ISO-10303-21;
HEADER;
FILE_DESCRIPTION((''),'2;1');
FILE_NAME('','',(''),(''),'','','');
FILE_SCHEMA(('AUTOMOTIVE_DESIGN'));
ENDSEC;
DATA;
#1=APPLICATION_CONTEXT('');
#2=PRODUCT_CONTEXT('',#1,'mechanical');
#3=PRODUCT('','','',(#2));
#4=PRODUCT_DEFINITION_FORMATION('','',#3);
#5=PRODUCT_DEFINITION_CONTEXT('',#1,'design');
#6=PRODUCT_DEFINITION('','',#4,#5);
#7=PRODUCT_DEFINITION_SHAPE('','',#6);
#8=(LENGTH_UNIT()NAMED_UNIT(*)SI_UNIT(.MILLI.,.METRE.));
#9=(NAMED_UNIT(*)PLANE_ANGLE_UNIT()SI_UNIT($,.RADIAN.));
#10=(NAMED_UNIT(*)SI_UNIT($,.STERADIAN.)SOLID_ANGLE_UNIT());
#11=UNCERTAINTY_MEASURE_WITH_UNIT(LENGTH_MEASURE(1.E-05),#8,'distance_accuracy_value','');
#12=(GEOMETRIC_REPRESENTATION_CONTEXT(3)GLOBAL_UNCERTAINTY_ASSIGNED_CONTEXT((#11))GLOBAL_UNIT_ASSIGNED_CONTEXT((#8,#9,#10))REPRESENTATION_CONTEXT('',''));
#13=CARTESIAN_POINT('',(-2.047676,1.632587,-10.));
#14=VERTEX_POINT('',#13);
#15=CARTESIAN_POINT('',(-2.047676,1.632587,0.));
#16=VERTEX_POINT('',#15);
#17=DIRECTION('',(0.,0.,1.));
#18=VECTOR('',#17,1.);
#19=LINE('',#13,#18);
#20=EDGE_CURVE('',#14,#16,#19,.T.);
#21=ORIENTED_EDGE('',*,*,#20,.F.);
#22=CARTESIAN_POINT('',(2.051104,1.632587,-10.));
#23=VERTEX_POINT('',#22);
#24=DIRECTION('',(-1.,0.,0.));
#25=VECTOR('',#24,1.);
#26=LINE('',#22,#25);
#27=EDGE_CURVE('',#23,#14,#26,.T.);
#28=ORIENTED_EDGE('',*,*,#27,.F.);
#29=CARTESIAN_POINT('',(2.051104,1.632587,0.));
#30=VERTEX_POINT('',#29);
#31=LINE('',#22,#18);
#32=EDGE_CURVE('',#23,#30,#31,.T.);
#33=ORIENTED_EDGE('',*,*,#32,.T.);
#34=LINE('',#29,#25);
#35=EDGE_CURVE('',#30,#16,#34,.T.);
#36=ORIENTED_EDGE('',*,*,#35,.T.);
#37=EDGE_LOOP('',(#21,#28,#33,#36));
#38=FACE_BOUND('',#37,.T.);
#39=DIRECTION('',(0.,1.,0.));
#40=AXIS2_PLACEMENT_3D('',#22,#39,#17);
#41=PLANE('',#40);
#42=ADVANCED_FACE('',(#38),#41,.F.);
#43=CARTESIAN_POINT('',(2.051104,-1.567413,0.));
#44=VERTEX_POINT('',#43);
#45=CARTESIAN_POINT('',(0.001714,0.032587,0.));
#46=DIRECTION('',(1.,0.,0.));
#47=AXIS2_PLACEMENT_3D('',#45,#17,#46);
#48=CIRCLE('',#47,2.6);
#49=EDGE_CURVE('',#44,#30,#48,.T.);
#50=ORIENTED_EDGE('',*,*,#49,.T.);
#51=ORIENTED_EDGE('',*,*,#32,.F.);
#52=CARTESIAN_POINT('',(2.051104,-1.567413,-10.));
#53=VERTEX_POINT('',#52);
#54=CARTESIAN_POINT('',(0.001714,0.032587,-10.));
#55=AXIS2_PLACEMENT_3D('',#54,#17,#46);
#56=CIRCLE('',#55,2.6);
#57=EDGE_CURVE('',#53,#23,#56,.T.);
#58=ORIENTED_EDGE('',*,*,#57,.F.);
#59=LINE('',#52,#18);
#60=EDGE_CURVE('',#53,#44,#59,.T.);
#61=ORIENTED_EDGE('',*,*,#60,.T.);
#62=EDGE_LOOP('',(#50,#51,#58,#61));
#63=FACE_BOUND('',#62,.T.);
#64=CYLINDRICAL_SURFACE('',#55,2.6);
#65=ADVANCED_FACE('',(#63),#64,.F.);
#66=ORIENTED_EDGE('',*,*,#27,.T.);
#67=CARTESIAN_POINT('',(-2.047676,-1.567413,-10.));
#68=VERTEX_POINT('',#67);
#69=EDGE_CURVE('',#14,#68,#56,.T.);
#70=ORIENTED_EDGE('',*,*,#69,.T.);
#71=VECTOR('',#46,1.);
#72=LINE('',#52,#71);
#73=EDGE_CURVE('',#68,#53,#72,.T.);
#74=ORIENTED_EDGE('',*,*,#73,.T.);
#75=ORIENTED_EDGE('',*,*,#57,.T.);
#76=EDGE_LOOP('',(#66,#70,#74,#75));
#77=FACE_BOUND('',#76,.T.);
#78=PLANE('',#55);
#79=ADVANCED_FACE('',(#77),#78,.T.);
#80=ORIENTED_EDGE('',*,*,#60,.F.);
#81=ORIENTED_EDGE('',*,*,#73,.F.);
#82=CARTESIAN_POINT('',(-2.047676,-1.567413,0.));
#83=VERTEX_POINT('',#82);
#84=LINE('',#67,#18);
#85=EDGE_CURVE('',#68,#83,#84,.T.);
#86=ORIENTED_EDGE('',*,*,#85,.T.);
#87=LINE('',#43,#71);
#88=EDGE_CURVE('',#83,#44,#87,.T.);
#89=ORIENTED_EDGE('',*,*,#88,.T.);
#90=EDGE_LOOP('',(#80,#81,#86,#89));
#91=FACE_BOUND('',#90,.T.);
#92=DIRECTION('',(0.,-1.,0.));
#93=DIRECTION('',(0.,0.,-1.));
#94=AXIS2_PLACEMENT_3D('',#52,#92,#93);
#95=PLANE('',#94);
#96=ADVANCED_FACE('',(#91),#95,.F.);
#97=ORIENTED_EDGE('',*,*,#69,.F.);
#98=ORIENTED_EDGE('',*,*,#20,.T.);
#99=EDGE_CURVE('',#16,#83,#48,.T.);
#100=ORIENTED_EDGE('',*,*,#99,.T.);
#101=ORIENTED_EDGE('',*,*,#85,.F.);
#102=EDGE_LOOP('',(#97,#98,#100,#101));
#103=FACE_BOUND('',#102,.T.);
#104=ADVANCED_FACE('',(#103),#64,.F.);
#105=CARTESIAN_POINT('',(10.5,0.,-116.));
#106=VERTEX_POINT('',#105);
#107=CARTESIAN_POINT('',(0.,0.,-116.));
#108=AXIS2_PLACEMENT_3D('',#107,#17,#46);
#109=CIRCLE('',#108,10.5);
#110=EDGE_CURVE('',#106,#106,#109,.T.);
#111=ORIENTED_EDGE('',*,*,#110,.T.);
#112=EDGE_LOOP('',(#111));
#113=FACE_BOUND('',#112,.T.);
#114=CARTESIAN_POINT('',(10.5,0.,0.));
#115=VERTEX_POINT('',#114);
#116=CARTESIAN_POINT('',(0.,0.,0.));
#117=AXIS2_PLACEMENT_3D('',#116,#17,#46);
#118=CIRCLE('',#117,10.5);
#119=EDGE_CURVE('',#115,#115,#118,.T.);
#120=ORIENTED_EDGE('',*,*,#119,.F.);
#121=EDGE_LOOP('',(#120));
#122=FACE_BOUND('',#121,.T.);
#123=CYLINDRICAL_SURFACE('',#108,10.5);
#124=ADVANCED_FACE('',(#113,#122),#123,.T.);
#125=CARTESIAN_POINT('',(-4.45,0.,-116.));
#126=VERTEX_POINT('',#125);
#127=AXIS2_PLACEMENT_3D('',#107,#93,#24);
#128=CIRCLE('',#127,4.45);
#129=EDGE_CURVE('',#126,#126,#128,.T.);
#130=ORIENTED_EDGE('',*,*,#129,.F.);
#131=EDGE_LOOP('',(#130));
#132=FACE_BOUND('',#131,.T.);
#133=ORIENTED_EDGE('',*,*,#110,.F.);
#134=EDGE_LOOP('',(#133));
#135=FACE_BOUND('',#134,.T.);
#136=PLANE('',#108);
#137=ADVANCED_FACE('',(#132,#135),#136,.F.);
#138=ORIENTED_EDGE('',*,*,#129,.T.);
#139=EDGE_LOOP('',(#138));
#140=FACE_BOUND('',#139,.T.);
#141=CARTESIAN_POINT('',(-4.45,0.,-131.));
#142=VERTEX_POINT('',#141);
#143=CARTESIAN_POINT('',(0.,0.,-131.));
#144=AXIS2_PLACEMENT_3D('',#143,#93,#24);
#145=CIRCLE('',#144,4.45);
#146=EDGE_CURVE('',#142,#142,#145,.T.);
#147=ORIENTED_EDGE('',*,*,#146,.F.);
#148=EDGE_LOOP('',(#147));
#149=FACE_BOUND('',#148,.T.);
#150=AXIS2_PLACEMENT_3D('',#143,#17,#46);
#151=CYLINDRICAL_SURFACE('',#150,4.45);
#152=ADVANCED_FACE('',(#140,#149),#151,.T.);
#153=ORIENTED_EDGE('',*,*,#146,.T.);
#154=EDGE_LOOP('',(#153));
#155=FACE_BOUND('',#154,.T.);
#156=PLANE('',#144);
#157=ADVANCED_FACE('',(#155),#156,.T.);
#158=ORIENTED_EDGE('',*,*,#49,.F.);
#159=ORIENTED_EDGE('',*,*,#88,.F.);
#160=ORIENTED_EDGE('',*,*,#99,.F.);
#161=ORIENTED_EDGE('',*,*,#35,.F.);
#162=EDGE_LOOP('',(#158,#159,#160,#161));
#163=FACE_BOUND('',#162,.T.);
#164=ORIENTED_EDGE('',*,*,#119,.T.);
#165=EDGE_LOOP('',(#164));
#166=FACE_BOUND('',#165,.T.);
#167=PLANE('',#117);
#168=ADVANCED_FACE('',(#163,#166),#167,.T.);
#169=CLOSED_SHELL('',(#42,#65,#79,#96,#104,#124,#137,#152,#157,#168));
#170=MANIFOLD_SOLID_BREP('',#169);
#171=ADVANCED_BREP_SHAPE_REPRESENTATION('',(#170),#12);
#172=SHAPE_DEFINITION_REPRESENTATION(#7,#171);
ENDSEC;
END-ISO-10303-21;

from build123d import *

# Parameters (mm, degrees)
SKETCH2_R           = 10.5
BOSS_EXTRUDE1_DEPTH = 116
SKETCH3_R           = 4.45
BOSS_EXTRUDE2_DEPTH = 15
CUT_EXTRUDE1_DEPTH  = 10


with BuildPart() as part:
    # Sketch2 → Boss-Extrude1 (new body)
    with BuildSketch(Plane.XY):
        Circle(SKETCH2_R)
    extrude(amount=-BOSS_EXTRUDE1_DEPTH)

    # Sketch3 → Boss-Extrude2 (add)
    with BuildSketch(Plane(origin=(0, 0, -116), x_dir=(-1, 0, 0), z_dir=(0, 0, -1))):
        Circle(SKETCH3_R)
    extrude(amount=BOSS_EXTRUDE2_DEPTH)

    # Sketch1 → Cut-Extrude1 (cut)
    with BuildSketch(Plane.XY):
        with BuildLine():
            Line((2.051104302, -1.567413373), (-2.047676004, -1.567413373))
            ThreePointArc((-2.047676004, -1.567413373), (-2.598285851, 0.032586627), (-2.047676004, 1.632586627))
            Line((-2.047676004, 1.632586627), (2.051104302, 1.632586627))
            ThreePointArc((2.051104302, 1.632586627), (2.601714149, 0.032586627), (2.051104302, -1.567413373))
        make_face()
    extrude(amount=-CUT_EXTRUDE1_DEPTH, mode=Mode.SUBTRACT)


solid = part.part
